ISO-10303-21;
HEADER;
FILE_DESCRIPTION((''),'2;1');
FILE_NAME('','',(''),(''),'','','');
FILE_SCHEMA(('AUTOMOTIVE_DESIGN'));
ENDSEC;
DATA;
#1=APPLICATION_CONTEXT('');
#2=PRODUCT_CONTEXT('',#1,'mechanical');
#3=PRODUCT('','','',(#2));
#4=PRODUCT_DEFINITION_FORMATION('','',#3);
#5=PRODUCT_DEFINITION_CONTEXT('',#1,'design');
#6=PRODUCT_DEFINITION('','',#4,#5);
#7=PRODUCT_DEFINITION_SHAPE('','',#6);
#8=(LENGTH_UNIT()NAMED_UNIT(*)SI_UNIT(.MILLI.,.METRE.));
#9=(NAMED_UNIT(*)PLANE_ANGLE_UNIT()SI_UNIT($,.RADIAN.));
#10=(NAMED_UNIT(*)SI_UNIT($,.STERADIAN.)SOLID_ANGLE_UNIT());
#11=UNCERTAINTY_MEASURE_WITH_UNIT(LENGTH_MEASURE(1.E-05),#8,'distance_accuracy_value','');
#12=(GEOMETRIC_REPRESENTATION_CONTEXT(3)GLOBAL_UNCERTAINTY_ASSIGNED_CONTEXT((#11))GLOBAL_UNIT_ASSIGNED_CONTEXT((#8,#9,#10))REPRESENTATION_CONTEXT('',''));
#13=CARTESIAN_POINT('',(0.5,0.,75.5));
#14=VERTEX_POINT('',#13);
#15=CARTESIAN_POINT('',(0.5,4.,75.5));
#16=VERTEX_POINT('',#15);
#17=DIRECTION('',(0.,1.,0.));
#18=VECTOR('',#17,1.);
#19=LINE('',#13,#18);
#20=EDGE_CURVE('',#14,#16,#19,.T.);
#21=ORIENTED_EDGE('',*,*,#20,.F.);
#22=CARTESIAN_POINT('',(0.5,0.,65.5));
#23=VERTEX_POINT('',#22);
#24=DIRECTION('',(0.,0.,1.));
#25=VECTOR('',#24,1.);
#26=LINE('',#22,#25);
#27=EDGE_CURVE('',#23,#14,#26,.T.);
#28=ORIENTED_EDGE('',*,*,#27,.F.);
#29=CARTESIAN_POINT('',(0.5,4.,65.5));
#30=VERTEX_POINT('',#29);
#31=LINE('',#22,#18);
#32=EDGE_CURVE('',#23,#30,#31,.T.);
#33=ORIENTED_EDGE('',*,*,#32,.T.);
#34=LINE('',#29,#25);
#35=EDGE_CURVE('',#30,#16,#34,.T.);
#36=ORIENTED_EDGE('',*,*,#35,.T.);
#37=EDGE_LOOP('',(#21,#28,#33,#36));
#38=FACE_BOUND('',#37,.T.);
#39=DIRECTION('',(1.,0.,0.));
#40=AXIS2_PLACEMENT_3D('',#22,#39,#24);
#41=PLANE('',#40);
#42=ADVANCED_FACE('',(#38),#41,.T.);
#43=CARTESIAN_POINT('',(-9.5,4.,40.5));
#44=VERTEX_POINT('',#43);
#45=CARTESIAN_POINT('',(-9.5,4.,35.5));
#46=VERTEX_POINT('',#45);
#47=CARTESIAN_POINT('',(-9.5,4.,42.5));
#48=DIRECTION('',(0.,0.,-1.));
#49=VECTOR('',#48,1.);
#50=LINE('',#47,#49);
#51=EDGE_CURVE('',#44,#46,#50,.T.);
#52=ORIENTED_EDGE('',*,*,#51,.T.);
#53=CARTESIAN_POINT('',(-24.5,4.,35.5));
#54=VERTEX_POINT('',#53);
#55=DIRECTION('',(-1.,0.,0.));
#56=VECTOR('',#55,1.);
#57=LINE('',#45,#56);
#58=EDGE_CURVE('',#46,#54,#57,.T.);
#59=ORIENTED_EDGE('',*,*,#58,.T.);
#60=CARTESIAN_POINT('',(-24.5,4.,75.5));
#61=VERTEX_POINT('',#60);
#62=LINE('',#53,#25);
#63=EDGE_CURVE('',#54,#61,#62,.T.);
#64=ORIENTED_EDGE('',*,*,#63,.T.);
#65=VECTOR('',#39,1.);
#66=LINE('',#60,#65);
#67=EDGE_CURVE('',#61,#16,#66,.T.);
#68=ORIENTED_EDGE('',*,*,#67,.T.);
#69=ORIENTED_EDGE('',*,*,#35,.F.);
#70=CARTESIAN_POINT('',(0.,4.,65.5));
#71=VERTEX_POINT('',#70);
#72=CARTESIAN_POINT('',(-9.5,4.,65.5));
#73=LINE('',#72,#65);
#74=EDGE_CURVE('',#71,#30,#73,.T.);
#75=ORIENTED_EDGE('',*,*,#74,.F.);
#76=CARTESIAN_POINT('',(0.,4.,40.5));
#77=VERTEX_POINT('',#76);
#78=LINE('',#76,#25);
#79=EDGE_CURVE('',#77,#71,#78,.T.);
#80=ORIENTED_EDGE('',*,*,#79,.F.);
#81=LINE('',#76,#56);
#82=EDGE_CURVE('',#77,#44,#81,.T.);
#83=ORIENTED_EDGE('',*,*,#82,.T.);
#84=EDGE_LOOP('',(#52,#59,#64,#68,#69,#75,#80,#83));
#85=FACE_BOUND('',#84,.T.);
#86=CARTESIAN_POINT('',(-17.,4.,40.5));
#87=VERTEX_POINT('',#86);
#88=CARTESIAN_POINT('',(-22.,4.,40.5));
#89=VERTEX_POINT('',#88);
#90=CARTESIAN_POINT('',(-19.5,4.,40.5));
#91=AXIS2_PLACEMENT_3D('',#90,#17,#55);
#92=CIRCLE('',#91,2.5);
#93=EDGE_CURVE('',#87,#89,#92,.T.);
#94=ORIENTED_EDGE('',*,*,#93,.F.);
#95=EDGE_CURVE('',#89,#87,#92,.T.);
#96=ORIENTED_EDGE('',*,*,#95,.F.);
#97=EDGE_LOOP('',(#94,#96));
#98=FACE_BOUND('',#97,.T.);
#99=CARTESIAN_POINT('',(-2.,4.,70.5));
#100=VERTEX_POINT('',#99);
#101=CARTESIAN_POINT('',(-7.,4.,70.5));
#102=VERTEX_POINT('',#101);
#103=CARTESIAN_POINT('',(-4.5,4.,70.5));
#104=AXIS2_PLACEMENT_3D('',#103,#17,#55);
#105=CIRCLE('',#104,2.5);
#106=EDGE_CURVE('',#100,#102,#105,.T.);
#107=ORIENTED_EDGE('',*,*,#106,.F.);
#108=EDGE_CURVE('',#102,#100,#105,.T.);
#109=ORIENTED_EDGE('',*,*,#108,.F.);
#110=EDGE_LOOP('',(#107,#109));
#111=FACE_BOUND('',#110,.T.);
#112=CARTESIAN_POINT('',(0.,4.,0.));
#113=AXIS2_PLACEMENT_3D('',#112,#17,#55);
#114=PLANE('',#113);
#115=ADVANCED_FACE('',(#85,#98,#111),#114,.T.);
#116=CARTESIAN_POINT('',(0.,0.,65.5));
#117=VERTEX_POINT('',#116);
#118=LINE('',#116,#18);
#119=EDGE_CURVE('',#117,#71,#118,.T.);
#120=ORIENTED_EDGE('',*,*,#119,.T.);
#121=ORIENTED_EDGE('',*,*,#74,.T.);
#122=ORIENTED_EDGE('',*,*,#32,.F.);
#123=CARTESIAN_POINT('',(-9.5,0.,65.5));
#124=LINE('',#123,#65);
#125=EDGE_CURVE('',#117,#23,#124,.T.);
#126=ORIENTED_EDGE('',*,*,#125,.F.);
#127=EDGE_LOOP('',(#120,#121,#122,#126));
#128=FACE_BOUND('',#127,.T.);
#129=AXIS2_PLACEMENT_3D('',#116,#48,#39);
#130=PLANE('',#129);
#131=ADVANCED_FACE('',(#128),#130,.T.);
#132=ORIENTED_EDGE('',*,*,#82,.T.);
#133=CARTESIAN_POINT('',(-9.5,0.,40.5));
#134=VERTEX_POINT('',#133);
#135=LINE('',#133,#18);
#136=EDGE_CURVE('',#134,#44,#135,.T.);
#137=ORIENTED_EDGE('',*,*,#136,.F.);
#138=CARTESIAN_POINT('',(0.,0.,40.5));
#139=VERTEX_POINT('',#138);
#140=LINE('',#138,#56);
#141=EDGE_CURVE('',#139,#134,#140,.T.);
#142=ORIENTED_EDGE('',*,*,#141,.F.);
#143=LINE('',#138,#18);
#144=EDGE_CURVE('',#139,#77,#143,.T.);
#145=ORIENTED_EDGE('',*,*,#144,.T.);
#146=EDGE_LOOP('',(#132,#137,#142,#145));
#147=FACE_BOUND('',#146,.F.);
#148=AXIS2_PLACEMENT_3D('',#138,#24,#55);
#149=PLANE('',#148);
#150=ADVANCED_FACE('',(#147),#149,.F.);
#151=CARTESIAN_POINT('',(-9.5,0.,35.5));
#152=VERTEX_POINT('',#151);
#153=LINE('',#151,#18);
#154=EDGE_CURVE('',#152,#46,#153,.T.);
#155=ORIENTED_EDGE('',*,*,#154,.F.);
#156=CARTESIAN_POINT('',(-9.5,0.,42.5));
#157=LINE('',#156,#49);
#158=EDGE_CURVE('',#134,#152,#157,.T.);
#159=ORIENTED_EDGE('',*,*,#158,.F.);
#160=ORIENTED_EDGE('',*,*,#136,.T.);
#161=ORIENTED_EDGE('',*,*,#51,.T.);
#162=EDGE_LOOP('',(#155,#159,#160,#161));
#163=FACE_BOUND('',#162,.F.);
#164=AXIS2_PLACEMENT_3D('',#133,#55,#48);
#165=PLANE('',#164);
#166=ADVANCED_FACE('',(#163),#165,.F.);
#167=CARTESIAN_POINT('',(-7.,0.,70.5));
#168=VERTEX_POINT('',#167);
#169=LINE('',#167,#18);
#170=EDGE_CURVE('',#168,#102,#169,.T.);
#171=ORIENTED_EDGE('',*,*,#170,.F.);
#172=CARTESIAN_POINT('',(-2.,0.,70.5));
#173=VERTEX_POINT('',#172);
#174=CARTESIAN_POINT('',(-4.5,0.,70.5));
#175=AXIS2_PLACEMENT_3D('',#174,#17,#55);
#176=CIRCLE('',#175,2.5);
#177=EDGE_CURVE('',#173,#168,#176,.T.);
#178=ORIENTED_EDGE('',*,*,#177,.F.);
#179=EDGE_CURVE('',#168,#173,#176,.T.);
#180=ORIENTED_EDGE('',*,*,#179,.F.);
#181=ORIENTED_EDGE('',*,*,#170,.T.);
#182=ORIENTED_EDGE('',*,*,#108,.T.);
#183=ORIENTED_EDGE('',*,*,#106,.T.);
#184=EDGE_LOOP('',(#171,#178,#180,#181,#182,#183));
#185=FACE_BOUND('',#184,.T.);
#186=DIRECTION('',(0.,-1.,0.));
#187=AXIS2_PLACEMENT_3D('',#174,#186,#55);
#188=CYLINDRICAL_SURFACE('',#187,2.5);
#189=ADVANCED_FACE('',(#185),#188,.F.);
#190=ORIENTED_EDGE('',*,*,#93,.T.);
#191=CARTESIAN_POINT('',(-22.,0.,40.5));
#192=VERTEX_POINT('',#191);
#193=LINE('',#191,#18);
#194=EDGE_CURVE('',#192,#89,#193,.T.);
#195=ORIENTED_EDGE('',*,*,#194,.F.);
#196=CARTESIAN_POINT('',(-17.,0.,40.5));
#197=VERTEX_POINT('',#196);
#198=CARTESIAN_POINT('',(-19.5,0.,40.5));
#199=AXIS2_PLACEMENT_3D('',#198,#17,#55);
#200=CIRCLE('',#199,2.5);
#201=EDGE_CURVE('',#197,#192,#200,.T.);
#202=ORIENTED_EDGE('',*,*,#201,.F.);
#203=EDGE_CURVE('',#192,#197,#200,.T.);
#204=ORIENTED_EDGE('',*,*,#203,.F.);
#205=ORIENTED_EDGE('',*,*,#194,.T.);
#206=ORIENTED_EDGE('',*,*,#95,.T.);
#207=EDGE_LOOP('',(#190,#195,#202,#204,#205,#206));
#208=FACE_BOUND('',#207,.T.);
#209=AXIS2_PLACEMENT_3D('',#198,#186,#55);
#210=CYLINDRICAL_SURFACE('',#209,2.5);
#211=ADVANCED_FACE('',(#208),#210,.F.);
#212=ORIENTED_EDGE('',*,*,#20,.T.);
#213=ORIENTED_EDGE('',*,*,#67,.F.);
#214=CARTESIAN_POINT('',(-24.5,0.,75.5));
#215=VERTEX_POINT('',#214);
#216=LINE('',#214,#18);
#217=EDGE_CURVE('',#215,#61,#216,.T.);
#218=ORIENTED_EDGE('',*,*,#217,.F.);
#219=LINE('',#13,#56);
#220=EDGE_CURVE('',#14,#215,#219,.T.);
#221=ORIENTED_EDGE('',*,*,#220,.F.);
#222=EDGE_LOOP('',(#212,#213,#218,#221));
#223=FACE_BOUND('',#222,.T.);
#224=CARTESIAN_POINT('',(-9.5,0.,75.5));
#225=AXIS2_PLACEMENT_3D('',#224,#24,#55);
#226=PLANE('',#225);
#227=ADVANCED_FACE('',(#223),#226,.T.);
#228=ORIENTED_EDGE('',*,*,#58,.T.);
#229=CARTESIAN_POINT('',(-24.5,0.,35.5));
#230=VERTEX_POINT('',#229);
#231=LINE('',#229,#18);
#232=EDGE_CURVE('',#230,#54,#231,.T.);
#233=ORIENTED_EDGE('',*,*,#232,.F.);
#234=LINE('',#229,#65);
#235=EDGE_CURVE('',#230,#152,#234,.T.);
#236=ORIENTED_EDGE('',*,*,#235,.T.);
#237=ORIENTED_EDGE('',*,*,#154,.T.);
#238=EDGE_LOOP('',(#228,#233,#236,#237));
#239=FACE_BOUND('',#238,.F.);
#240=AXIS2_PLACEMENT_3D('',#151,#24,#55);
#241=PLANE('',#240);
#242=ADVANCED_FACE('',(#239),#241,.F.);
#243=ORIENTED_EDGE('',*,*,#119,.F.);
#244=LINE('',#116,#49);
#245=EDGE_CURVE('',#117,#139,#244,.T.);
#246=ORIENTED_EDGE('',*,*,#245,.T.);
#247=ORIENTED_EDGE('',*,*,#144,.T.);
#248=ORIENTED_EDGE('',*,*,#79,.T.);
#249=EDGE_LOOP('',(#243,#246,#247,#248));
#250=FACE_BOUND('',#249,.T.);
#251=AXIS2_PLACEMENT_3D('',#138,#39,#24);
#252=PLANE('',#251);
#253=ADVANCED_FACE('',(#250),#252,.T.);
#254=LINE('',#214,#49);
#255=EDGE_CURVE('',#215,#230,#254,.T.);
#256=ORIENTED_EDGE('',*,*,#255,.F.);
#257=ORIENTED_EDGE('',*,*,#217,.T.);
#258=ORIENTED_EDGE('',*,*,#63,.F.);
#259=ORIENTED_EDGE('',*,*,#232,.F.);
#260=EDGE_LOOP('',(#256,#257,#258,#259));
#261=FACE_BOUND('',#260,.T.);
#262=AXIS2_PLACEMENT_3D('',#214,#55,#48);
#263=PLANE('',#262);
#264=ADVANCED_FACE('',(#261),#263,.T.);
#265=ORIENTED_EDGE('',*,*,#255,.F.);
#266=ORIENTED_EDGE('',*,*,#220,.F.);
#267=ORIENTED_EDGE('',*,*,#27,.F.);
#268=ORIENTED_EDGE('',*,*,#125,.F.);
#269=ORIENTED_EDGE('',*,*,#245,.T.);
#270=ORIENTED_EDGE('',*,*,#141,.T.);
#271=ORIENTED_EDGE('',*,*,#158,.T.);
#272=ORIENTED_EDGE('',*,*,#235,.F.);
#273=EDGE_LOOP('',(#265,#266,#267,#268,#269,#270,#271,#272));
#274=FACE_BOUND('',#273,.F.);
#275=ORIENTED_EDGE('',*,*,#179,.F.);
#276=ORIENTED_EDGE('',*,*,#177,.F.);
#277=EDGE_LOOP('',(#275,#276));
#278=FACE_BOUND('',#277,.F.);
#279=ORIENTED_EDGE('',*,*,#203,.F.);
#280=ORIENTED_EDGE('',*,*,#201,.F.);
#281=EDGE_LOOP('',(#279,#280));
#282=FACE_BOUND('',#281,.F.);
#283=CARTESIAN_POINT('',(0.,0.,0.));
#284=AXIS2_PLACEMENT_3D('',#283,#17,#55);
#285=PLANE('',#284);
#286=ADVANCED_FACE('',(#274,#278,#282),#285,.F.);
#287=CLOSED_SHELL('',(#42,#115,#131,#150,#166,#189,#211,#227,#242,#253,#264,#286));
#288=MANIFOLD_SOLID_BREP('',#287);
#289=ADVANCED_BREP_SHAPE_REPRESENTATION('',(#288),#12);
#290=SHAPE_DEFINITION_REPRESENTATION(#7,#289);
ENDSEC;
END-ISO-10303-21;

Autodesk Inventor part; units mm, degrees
ref_plane "YZ Plane" through (0, 0, 0) normal (1, 0, 0) x (0, 1, 0)
ref_plane "XZ Plane" through (0, 0, 0) normal (0, 1, 0) x (-1, 0, 0)
ref_plane "XY Plane" through (0, 0, 0) normal (0, 0, 1) x (1, 0, 0)
sketch "Sketch1" plane through (0, 0, 0) normal (0, 1, 0) x (-1, 0, 0)
  line L0 (0, 0) -> (0, 70.5)
  line L1 (0, 70.5) -> (4.5, 70.5)
  circle A0 centre (4.5, 70.5) radius 2.5
  line L2 (0, 0) -> (0, 40.5)
  line L3 (0, 40.5) -> (19.5, 40.5)
  circle A1 centre (19.5, 40.5) radius 2.5
  line L4 (14.5, 45.5) -> (14.5, 35.5)
  line L5 (14.5, 35.5) -> (24.5, 35.5)
  line L6 (24.5, 35.5) -> (24.5, 45.5)
  line L7 (24.5, 45.5) -> (14.5, 45.5)
  line L8 (14.5, 45.5) -> (24.5, 35.5) construction
  line L9 (14.5, 35.5) -> (24.5, 45.5) construction
  line L10 (9.5, 75.5) -> (9.5, 65.5)
  line L11 (9.5, 65.5) -> (-0.5, 65.5)
  line L12 (-0.5, 65.5) -> (-0.5, 75.5)
  line L13 (-0.5, 75.5) -> (9.5, 75.5)
  line L14 (9.5, 75.5) -> (-0.5, 65.5) construction
  line L15 (9.5, 65.5) -> (-0.5, 75.5) construction
  line L16 (0, 0) -> (0, 42.5)
  line L17 (0, 42.5) -> (9.5, 42.5)
  line L18 (9.5, 42.5) -> (9.5, 35.5)
  line L19 (9.5, 35.5) -> (14.5, 35.5)
  line L20 (9.5, 75.5) -> (24.5, 75.5)
  line L21 (24.5, 75.5) -> (24.5, 45.5)
  point P0 (0, 65.5)
  point P1 (9.5, 40.5)
  dimension "d0" = 70.5
  dimension "d1" = 4.5
  dimension "d2" = 5
  dimension "d3" = 40.5
  dimension "d4" = 19.5
  dimension "d5" = 5
  dimension "d6" = 10
  dimension "d7" = 10
  dimension "d8" = 10
  dimension "d9" = 10
  dimension "d10" = 42.5
  dimension "d11" = 9.5
extrude "Extrusion1" add sketch "Sketch1" along normal blind 4
properties part number "WPNA_TOP_MAINHOUSING"
